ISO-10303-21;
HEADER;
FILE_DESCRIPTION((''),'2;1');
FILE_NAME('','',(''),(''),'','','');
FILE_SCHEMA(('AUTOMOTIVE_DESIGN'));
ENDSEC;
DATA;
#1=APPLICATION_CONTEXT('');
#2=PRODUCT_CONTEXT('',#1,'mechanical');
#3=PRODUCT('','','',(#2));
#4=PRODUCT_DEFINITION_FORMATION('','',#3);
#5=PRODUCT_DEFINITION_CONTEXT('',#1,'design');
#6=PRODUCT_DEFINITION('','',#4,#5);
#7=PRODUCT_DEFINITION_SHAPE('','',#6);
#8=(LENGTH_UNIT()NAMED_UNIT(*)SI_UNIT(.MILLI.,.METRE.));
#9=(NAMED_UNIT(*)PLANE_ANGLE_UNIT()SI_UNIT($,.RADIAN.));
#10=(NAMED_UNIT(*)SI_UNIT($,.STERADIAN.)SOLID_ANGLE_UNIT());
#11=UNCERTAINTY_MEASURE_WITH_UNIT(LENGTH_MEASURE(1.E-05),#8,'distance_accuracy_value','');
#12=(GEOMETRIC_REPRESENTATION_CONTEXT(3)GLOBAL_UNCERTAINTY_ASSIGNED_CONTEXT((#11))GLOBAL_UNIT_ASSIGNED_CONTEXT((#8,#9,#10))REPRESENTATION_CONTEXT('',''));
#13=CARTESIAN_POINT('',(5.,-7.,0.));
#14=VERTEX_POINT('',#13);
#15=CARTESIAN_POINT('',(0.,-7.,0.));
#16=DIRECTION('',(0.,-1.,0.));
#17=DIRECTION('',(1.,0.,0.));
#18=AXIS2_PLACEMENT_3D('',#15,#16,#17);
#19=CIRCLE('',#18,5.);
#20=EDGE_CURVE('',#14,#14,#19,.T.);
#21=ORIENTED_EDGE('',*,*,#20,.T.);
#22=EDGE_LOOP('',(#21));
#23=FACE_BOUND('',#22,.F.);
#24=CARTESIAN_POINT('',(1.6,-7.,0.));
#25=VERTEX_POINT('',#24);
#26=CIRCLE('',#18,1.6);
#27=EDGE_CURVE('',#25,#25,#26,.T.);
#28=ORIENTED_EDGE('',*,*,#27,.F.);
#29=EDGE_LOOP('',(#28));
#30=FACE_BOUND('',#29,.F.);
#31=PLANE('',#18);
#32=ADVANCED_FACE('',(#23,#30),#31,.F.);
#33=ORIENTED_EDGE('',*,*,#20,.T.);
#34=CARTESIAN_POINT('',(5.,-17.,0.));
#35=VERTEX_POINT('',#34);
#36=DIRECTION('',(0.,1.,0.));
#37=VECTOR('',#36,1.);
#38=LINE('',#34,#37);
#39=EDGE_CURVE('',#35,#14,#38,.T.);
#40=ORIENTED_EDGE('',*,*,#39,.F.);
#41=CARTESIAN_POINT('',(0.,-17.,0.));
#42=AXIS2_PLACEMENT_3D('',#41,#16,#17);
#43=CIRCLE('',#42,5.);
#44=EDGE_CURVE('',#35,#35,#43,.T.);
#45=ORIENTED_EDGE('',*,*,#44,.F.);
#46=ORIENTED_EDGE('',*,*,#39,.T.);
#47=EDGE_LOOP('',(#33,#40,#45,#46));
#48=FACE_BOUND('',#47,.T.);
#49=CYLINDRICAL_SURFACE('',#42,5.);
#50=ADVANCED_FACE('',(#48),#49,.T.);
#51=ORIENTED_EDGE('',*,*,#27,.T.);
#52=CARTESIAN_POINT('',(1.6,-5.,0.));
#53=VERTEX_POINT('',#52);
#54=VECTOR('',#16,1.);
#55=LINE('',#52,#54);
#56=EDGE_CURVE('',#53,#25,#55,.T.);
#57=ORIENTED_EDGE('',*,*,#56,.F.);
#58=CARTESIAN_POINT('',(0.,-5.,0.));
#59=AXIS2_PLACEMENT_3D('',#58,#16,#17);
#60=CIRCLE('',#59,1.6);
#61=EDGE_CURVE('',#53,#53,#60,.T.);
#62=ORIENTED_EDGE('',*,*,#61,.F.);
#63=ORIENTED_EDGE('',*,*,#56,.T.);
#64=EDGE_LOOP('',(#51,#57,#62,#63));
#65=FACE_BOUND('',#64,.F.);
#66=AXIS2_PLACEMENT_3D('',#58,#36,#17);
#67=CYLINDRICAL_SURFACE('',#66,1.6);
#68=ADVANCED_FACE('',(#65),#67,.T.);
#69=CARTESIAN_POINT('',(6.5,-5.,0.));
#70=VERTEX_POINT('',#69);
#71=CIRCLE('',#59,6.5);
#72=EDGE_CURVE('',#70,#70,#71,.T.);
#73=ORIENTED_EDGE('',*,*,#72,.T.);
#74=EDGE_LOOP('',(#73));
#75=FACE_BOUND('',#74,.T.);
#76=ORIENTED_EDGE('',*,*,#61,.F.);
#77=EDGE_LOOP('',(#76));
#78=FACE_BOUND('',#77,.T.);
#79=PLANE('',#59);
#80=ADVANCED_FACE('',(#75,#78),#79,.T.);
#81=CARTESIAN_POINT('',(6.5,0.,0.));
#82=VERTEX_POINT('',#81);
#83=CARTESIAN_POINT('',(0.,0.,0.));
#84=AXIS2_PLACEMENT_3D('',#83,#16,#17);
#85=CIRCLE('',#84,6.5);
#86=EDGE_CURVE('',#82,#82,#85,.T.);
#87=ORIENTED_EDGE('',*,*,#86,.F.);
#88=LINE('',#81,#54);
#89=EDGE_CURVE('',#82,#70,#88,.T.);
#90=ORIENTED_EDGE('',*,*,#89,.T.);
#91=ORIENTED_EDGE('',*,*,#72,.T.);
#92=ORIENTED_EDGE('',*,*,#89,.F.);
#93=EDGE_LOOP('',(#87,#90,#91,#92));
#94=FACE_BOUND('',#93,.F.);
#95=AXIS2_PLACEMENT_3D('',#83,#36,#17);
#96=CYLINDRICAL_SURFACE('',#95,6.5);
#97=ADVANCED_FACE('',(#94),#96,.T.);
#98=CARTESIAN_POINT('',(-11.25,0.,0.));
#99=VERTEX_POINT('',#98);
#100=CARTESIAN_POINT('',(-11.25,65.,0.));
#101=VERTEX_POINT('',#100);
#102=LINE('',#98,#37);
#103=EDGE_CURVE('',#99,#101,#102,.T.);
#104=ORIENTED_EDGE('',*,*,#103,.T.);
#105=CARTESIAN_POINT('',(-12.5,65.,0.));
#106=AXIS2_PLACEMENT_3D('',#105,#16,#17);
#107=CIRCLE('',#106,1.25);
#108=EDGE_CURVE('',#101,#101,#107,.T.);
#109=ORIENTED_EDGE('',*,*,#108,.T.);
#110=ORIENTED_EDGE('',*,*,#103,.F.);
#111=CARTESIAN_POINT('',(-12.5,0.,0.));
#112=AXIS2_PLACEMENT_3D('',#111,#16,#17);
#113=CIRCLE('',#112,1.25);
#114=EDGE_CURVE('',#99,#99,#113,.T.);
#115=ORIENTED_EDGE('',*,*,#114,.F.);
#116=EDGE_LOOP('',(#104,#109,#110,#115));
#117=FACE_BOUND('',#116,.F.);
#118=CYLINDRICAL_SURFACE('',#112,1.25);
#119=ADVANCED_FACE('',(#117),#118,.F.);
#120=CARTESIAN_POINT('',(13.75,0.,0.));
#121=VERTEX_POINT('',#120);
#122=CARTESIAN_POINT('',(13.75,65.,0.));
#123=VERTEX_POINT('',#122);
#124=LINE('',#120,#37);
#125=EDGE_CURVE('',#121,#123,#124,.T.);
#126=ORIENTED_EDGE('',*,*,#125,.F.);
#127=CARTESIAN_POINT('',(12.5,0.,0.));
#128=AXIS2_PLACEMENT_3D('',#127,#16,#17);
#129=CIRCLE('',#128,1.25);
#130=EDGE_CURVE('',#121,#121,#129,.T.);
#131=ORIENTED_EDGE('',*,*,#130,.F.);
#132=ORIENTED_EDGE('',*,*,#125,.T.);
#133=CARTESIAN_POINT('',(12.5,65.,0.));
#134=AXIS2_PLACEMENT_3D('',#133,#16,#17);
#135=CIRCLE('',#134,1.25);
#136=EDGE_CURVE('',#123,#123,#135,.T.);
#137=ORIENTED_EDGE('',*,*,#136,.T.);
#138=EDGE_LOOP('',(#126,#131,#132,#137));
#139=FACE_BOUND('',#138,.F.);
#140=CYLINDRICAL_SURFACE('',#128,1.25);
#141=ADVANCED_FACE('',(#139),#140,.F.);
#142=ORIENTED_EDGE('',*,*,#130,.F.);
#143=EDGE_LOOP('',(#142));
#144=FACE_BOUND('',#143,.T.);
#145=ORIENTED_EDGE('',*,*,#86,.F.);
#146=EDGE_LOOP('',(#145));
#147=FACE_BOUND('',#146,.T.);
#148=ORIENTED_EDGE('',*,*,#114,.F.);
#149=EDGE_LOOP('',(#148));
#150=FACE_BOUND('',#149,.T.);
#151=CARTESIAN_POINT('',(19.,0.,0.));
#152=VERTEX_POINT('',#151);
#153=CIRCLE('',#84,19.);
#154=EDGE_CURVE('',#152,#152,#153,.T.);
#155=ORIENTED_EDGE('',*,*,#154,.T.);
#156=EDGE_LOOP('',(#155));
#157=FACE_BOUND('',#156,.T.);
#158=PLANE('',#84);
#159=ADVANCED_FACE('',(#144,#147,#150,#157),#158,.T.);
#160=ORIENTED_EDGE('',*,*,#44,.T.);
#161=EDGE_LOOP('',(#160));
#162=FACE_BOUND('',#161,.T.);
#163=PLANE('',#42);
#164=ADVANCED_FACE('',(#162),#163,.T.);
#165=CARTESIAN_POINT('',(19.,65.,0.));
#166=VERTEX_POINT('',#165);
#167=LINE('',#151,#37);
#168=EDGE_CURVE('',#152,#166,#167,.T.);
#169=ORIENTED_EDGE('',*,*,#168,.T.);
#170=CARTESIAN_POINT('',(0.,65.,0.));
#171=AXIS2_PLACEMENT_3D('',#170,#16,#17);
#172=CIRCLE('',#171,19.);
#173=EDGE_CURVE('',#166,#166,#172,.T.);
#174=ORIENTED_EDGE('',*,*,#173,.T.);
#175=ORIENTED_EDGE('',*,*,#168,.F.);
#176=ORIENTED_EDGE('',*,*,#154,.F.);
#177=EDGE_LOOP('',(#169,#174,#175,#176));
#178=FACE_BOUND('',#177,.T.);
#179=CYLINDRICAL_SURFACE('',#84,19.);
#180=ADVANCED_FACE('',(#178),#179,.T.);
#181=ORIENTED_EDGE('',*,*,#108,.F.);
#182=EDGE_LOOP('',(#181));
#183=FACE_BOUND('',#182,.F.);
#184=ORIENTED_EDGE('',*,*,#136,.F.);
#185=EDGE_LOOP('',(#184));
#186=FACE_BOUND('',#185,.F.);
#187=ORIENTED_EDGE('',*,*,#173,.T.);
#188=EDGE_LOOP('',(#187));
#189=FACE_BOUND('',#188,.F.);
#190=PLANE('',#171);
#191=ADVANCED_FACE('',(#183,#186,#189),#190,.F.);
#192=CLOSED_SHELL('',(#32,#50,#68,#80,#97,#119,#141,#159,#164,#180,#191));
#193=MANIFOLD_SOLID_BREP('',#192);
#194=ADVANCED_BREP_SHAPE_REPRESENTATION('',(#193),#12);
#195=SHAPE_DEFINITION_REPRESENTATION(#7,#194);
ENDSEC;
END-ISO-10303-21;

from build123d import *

# Parameters (mm, degrees)
F0_R     = 19
F0_R_2   = 1.25
F0_R_3   = 6.5
F1_DEPTH = 65
F2_DEPTH = 5
F3_R     = 1.6
F4_DEPTH = 12
F5_R     = 5
F5_R_2   = 1.6
F6_DEPTH = 10


with BuildPart() as f1:
    # F0 (on Front) → F1 (new body)
    with BuildSketch(Plane.XZ):
        Circle(F0_R)
        with Locations((-12.5, 0)):
            Circle(F0_R_2, mode=Mode.SUBTRACT)
        Circle(F0_R_3, mode=Mode.SUBTRACT)
        with Locations((12.5, 0)):
            Circle(F0_R_2, mode=Mode.SUBTRACT)
        Circle(F0_R_3)
    extrude(amount=-F1_DEPTH)

    # F0 (on Front) → F2 (join)
    with BuildSketch(Plane.XZ):
        Circle(F0_R_3)
    extrude(amount=F2_DEPTH)

    # F3 (on face) → F4 (join)
    with BuildSketch(Plane.XZ.offset(5)):
        Circle(F3_R)
    extrude(amount=F4_DEPTH)

    # F5 (on face) → F6 (join)
    with BuildSketch(Plane.XZ.offset(17)):
        Circle(F5_R)
        Circle(F5_R_2, mode=Mode.SUBTRACT)
    extrude(amount=-F6_DEPTH)


solid = f1.part
